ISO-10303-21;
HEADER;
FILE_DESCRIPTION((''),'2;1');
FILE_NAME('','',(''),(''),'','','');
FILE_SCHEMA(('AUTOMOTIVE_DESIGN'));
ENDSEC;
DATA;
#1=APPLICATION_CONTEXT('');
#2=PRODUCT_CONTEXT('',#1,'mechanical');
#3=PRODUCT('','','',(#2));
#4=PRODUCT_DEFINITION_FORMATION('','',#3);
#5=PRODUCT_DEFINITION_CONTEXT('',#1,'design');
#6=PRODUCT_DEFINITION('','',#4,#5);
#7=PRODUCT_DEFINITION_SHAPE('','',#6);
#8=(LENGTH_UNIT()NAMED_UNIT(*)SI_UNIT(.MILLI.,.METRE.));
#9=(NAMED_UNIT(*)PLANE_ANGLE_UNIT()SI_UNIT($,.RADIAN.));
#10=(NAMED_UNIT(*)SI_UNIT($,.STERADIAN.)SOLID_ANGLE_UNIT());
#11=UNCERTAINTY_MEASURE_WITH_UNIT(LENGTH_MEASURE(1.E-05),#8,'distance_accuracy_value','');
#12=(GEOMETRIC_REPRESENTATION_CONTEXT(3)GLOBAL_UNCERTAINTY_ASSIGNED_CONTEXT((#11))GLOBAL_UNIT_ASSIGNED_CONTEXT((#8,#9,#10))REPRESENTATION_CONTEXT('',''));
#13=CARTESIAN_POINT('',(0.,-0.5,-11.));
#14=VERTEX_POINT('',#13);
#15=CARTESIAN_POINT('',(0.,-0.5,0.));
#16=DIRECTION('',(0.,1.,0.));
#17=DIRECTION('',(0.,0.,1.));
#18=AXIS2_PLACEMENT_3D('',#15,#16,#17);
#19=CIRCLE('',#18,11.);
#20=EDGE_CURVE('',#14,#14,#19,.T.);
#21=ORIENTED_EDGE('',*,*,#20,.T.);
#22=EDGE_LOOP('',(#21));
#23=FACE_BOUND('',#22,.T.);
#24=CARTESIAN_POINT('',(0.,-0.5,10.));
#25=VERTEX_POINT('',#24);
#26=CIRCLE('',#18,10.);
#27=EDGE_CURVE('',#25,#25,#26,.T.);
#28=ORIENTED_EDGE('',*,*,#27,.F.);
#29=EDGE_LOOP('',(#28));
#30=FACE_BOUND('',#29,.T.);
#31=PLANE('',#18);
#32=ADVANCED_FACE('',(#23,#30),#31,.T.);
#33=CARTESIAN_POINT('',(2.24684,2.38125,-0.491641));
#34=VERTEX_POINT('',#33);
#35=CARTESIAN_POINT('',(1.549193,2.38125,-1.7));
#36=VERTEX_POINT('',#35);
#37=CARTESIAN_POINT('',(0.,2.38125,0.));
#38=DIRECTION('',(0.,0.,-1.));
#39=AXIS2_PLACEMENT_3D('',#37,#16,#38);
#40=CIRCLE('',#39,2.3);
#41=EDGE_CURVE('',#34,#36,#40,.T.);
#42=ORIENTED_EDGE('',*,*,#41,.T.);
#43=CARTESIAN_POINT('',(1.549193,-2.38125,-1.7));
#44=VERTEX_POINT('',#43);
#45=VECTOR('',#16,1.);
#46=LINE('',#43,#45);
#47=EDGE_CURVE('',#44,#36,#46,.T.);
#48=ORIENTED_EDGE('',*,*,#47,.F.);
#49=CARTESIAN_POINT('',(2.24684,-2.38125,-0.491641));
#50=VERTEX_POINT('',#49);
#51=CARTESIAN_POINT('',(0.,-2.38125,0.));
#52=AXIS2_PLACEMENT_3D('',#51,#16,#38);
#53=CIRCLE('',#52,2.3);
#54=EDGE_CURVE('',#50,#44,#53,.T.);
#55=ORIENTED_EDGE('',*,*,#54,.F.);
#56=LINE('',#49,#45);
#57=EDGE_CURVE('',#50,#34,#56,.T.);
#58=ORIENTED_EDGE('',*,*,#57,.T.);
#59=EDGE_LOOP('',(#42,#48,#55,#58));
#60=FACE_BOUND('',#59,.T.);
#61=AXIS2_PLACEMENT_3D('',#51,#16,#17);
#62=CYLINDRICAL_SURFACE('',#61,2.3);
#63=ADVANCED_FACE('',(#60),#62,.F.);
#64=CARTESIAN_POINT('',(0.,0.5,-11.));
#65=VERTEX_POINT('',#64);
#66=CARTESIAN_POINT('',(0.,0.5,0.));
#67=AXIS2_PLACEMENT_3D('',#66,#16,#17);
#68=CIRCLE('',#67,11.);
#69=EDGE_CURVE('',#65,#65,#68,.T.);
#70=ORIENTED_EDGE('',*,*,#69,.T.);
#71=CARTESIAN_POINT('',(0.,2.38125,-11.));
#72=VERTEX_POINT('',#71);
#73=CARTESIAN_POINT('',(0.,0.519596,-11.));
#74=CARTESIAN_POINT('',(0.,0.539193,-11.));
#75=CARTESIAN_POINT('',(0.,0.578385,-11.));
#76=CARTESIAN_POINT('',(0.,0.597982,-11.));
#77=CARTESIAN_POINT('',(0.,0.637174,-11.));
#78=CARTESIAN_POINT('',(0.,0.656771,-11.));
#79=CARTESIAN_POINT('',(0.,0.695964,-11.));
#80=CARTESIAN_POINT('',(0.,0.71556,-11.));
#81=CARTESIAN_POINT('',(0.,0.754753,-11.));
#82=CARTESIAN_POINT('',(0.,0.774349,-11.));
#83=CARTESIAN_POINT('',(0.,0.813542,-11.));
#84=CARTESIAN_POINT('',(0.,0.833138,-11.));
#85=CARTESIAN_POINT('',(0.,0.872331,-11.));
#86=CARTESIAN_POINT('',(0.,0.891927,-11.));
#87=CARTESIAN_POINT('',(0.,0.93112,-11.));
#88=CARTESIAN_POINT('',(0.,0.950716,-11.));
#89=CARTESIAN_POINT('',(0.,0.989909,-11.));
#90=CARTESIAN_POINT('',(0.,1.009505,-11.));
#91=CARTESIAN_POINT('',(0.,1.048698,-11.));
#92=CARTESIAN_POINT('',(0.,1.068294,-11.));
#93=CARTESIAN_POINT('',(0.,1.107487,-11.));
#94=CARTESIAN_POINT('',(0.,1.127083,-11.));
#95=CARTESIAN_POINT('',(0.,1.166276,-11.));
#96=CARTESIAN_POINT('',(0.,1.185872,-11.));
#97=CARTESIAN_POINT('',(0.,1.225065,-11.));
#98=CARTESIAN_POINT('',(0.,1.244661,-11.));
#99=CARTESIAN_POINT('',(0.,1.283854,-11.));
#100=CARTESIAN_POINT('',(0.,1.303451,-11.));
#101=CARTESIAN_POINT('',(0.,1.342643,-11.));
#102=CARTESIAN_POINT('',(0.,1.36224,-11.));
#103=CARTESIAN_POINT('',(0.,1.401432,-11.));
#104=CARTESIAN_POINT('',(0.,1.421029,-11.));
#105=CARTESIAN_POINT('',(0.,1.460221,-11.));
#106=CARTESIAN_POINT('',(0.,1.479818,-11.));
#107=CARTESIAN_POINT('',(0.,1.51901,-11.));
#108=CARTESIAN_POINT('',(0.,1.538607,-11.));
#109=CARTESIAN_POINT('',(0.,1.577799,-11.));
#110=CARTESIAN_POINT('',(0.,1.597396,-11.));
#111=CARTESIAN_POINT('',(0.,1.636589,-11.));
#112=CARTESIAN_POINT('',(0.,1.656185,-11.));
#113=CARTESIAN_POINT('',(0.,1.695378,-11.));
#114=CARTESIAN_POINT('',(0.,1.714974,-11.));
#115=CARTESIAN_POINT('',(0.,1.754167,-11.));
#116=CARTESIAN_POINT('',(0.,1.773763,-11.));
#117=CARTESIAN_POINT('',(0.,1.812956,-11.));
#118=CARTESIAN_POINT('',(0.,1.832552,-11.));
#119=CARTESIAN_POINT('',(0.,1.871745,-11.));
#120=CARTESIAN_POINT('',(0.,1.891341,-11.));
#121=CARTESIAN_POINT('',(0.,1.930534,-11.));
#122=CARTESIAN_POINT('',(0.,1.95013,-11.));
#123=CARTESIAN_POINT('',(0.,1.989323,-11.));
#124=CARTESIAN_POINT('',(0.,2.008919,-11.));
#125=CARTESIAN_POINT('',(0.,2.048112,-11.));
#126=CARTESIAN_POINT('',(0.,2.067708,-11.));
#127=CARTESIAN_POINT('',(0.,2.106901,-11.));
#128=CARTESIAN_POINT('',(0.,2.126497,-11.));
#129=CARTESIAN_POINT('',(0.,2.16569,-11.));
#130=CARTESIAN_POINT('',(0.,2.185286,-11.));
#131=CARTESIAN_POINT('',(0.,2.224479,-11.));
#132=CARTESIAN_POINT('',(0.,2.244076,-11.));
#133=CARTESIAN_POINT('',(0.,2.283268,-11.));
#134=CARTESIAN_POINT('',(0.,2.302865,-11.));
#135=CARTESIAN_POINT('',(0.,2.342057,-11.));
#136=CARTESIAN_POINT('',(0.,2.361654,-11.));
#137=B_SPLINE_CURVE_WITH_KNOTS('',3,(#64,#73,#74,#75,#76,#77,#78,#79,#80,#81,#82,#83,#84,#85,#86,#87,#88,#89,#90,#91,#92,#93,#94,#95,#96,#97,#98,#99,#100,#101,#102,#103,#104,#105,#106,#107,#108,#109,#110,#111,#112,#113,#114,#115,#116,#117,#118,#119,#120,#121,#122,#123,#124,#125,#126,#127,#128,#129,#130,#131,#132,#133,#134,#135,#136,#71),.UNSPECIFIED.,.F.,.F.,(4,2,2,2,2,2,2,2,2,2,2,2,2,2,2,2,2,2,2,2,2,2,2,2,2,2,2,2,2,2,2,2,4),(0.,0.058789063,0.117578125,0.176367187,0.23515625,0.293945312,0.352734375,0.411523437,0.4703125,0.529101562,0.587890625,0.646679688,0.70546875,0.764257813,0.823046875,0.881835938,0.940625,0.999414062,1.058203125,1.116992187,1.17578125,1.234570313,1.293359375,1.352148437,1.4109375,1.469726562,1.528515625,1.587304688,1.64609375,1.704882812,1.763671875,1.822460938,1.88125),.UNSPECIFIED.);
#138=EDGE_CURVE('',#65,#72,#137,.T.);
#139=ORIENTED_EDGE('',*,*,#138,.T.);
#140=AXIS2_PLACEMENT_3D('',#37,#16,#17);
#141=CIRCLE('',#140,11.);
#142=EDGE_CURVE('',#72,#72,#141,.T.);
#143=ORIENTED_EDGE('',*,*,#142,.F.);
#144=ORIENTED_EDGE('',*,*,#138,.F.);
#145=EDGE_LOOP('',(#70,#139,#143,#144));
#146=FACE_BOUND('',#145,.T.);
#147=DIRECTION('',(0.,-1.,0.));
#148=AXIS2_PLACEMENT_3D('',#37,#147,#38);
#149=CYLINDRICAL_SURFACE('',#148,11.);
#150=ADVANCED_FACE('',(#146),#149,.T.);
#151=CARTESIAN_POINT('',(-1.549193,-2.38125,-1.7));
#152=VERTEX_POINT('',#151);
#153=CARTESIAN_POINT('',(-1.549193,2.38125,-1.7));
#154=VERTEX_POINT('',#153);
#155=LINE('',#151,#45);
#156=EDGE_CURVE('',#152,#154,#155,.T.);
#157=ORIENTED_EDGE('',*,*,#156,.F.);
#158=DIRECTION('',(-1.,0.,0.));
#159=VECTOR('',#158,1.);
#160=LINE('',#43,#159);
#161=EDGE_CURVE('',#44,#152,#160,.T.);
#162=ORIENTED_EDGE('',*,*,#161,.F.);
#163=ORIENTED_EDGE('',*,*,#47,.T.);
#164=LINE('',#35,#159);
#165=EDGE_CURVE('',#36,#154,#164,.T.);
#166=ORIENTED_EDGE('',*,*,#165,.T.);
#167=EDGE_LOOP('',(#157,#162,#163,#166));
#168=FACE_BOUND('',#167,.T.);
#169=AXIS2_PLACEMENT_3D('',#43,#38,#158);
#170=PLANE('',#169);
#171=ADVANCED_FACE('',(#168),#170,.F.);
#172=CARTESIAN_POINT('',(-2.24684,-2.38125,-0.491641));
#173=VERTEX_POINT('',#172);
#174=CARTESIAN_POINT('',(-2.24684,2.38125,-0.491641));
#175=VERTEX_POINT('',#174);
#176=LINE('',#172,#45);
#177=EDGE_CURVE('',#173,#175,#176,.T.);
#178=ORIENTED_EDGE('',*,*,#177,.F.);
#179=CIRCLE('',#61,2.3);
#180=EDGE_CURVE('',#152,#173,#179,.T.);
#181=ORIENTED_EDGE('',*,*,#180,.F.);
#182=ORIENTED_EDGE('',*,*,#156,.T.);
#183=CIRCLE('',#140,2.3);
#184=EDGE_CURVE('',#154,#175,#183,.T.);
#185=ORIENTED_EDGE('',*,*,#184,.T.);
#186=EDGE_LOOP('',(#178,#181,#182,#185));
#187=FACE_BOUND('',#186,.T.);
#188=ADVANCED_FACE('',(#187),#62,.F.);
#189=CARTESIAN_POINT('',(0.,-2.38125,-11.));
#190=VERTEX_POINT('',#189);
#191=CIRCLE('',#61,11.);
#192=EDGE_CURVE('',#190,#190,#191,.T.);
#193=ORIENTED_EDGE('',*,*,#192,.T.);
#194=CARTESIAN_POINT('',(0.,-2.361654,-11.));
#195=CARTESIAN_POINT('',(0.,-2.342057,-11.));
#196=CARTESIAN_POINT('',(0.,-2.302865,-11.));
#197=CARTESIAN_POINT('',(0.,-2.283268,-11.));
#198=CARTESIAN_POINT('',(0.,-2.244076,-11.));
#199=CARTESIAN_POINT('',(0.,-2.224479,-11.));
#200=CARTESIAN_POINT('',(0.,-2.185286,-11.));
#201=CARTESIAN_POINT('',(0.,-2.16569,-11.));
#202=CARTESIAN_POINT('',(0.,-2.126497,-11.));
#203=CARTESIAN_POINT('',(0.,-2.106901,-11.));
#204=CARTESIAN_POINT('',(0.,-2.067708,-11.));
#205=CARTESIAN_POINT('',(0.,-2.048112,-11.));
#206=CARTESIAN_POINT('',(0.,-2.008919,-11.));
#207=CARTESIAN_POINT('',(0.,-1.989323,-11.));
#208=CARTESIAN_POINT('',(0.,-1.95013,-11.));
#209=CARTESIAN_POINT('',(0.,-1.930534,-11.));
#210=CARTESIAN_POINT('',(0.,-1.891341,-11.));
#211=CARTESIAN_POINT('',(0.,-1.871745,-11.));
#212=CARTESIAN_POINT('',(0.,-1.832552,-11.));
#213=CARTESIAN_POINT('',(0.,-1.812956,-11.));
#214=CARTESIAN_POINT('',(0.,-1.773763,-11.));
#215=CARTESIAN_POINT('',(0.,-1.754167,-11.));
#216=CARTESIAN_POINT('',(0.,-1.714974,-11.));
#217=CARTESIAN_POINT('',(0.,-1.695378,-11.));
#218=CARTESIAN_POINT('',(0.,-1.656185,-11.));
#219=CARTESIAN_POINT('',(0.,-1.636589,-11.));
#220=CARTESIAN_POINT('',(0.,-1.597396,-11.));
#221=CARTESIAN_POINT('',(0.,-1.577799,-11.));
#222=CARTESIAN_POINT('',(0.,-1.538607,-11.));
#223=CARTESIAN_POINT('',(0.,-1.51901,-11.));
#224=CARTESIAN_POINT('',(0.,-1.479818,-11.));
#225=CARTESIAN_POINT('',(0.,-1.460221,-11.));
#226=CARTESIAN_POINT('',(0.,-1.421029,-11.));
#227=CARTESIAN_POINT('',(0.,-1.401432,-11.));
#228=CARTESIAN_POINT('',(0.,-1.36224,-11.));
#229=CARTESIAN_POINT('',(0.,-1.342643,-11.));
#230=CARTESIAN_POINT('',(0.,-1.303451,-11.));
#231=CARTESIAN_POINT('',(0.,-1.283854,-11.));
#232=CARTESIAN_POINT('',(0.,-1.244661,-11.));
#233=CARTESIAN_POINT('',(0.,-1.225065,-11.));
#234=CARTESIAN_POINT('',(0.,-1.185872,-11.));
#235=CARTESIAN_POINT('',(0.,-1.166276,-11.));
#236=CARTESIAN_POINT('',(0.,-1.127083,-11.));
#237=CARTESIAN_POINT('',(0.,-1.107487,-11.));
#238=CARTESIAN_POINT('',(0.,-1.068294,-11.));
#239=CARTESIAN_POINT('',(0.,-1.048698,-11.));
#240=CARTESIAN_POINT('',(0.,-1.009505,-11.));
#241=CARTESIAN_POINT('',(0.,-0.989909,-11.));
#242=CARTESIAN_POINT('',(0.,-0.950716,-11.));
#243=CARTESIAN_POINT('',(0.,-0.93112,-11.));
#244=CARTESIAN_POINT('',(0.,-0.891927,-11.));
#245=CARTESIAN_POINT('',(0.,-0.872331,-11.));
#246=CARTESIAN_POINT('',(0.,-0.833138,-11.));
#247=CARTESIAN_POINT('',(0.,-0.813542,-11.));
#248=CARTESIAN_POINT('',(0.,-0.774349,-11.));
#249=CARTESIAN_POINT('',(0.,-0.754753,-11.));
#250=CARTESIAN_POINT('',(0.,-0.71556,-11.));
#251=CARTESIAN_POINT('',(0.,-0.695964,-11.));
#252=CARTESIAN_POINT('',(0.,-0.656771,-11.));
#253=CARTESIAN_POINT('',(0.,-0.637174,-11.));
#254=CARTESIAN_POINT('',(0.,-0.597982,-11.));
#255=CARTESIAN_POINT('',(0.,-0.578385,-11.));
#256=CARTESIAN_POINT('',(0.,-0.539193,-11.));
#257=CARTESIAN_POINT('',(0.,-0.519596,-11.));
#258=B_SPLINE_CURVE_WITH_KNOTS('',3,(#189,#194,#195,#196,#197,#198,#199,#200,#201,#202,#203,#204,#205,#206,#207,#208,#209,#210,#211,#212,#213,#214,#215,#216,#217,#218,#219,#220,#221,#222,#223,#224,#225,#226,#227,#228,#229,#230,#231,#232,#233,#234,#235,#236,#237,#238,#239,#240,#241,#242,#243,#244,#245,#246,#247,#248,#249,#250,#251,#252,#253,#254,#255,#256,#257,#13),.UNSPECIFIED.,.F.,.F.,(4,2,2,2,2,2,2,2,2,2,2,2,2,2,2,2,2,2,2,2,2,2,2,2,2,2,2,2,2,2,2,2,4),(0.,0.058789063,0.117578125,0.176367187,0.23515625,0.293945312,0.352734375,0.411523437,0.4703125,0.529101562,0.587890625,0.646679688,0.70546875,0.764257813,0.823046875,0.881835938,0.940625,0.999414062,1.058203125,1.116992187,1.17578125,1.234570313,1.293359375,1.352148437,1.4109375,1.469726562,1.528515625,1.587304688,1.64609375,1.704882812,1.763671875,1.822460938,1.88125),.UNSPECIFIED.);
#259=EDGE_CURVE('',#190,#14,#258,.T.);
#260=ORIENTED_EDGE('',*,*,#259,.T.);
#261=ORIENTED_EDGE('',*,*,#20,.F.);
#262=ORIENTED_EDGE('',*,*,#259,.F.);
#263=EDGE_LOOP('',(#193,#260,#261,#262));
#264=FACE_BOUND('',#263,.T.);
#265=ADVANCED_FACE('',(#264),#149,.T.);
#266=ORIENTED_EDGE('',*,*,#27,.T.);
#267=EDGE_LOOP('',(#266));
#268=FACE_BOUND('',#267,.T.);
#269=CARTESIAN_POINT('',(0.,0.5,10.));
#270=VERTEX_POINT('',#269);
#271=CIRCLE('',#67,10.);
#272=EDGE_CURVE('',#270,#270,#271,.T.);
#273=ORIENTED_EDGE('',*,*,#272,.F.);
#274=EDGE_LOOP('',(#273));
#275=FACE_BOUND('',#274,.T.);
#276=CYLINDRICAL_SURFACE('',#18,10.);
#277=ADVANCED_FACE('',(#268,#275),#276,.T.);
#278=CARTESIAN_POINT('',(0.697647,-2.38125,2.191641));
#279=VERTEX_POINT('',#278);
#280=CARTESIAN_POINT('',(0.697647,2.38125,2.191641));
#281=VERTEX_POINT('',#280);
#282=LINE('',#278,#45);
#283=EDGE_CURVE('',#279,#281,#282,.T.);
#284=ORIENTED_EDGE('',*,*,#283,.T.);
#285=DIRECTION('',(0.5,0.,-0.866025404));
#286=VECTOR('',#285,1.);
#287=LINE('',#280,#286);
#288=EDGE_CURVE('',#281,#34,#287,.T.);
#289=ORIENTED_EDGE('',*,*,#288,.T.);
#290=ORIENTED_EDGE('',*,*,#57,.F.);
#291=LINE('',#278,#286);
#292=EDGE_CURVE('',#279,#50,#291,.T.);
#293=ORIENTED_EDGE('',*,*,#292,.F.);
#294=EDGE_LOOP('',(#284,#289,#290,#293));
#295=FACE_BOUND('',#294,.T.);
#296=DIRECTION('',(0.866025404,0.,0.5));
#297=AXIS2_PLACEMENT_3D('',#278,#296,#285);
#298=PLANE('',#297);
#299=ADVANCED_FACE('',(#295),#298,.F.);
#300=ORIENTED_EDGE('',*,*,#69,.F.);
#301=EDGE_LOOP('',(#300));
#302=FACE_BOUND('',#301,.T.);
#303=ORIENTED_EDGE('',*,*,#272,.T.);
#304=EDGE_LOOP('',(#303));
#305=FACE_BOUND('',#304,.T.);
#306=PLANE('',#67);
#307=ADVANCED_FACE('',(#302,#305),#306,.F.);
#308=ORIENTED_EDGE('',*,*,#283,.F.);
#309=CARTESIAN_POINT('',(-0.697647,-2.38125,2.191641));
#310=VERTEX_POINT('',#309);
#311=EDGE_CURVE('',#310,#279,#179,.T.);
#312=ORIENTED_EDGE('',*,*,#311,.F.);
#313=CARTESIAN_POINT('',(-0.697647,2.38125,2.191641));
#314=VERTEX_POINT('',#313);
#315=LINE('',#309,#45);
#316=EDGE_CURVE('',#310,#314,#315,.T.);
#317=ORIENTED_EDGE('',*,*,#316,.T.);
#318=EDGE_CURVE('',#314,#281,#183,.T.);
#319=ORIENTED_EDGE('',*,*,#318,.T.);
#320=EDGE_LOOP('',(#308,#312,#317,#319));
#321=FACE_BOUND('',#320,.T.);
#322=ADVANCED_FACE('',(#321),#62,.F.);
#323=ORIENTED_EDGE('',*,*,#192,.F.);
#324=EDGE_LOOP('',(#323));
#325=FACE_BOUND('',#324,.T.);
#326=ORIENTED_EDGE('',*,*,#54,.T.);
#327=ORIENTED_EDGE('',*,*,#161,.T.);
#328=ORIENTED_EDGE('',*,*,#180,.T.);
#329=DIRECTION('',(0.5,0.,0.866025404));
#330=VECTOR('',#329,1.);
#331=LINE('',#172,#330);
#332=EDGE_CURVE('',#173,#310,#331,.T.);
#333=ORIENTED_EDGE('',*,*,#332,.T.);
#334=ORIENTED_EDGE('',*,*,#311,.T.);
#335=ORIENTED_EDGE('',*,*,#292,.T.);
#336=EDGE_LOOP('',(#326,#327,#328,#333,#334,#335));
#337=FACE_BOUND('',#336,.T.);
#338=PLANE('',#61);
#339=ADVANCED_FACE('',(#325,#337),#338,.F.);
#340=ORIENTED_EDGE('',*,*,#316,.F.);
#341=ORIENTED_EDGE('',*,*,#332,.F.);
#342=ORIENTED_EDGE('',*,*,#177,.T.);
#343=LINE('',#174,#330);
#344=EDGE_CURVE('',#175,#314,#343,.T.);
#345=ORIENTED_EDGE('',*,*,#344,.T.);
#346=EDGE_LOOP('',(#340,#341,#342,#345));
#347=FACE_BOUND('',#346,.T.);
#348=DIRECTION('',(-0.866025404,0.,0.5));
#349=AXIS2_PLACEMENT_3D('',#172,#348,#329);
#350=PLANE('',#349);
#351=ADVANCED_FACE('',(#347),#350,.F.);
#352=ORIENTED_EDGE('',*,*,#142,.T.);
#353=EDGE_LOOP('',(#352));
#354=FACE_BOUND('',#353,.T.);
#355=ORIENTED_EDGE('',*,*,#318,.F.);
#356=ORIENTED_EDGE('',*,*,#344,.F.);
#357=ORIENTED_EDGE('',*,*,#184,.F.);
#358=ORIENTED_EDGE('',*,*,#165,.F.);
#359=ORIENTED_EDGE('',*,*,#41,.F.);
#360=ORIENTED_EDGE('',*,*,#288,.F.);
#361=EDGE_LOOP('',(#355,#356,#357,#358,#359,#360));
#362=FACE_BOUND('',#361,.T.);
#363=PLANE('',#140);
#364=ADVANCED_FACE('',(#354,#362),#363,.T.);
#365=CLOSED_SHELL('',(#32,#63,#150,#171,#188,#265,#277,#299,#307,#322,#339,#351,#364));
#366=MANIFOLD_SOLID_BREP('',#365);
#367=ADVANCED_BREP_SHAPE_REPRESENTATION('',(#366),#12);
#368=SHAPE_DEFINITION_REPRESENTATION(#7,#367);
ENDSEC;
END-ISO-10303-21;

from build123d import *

# Parameters (mm, degrees)
ESBO_O1_R                = 11
RESSALTO_EXTRUS_O1_DEPTH = 2.38125
ESBO_O2_R                = 11
ESBO_O2_R_2              = 10
CORTE_EXTRUS_O1_DEPTH    = 0.5
CORTE_EXTRUS_O3_DEPTH    = 17.269032124


with BuildPart() as part:
    # Esboço1 → Ressalto-extrusão1 (new, symmetric)
    with BuildSketch(Plane(origin=(0, 0, 0), x_dir=(1, 0, 0), z_dir=(0, 1, 0))):
        with Locations(Location((0, 0, 0), (0, 0, 90))):
            Circle(ESBO_O1_R)
    extrude(amount=RESSALTO_EXTRUS_O1_DEPTH, both=True)

    # Esboço2 → Corte-extrusão1 (cut, symmetric)
    with BuildSketch(Plane(origin=(0, 0, 0), x_dir=(1, 0, 0), z_dir=(0, 1, 0))):
        with Locations(Location((0, 0, 0), (0, 0, 90))):
            Circle(ESBO_O2_R)
        with Locations(Location((0, 0, 0), (0, 0, 270))):
            Circle(ESBO_O2_R_2, mode=Mode.SUBTRACT)
    extrude(amount=CORTE_EXTRUS_O1_DEPTH, both=True, mode=Mode.SUBTRACT)

    # Esboço4 → Corte-extrusão3 (cut, through all)
    with BuildSketch(Plane(origin=(0, 2.38125, 0), x_dir=(1, 0, 0), z_dir=(0, 1, 0))):
        with BuildLine():
            Line((-2.246839856, 0.491640786), (-0.697646517, -2.191640786))
            ThreePointArc((-0.697646517, -2.191640786), (0, -2.3), (0.697646517, -2.191640786))
            Line((0.697646517, -2.191640786), (2.246839856, 0.491640786))
            ThreePointArc((2.246839856, 0.491640786), (1.991858429, 1.15), (1.549193338, 1.7))
            Line((1.549193338, 1.7), (-1.549193338, 1.7))
            ThreePointArc((-1.549193338, 1.7), (-1.991858429, 1.15), (-2.246839856, 0.491640786))
        make_face()
    extrude(amount=-CORTE_EXTRUS_O3_DEPTH, mode=Mode.SUBTRACT)


solid = part.part
